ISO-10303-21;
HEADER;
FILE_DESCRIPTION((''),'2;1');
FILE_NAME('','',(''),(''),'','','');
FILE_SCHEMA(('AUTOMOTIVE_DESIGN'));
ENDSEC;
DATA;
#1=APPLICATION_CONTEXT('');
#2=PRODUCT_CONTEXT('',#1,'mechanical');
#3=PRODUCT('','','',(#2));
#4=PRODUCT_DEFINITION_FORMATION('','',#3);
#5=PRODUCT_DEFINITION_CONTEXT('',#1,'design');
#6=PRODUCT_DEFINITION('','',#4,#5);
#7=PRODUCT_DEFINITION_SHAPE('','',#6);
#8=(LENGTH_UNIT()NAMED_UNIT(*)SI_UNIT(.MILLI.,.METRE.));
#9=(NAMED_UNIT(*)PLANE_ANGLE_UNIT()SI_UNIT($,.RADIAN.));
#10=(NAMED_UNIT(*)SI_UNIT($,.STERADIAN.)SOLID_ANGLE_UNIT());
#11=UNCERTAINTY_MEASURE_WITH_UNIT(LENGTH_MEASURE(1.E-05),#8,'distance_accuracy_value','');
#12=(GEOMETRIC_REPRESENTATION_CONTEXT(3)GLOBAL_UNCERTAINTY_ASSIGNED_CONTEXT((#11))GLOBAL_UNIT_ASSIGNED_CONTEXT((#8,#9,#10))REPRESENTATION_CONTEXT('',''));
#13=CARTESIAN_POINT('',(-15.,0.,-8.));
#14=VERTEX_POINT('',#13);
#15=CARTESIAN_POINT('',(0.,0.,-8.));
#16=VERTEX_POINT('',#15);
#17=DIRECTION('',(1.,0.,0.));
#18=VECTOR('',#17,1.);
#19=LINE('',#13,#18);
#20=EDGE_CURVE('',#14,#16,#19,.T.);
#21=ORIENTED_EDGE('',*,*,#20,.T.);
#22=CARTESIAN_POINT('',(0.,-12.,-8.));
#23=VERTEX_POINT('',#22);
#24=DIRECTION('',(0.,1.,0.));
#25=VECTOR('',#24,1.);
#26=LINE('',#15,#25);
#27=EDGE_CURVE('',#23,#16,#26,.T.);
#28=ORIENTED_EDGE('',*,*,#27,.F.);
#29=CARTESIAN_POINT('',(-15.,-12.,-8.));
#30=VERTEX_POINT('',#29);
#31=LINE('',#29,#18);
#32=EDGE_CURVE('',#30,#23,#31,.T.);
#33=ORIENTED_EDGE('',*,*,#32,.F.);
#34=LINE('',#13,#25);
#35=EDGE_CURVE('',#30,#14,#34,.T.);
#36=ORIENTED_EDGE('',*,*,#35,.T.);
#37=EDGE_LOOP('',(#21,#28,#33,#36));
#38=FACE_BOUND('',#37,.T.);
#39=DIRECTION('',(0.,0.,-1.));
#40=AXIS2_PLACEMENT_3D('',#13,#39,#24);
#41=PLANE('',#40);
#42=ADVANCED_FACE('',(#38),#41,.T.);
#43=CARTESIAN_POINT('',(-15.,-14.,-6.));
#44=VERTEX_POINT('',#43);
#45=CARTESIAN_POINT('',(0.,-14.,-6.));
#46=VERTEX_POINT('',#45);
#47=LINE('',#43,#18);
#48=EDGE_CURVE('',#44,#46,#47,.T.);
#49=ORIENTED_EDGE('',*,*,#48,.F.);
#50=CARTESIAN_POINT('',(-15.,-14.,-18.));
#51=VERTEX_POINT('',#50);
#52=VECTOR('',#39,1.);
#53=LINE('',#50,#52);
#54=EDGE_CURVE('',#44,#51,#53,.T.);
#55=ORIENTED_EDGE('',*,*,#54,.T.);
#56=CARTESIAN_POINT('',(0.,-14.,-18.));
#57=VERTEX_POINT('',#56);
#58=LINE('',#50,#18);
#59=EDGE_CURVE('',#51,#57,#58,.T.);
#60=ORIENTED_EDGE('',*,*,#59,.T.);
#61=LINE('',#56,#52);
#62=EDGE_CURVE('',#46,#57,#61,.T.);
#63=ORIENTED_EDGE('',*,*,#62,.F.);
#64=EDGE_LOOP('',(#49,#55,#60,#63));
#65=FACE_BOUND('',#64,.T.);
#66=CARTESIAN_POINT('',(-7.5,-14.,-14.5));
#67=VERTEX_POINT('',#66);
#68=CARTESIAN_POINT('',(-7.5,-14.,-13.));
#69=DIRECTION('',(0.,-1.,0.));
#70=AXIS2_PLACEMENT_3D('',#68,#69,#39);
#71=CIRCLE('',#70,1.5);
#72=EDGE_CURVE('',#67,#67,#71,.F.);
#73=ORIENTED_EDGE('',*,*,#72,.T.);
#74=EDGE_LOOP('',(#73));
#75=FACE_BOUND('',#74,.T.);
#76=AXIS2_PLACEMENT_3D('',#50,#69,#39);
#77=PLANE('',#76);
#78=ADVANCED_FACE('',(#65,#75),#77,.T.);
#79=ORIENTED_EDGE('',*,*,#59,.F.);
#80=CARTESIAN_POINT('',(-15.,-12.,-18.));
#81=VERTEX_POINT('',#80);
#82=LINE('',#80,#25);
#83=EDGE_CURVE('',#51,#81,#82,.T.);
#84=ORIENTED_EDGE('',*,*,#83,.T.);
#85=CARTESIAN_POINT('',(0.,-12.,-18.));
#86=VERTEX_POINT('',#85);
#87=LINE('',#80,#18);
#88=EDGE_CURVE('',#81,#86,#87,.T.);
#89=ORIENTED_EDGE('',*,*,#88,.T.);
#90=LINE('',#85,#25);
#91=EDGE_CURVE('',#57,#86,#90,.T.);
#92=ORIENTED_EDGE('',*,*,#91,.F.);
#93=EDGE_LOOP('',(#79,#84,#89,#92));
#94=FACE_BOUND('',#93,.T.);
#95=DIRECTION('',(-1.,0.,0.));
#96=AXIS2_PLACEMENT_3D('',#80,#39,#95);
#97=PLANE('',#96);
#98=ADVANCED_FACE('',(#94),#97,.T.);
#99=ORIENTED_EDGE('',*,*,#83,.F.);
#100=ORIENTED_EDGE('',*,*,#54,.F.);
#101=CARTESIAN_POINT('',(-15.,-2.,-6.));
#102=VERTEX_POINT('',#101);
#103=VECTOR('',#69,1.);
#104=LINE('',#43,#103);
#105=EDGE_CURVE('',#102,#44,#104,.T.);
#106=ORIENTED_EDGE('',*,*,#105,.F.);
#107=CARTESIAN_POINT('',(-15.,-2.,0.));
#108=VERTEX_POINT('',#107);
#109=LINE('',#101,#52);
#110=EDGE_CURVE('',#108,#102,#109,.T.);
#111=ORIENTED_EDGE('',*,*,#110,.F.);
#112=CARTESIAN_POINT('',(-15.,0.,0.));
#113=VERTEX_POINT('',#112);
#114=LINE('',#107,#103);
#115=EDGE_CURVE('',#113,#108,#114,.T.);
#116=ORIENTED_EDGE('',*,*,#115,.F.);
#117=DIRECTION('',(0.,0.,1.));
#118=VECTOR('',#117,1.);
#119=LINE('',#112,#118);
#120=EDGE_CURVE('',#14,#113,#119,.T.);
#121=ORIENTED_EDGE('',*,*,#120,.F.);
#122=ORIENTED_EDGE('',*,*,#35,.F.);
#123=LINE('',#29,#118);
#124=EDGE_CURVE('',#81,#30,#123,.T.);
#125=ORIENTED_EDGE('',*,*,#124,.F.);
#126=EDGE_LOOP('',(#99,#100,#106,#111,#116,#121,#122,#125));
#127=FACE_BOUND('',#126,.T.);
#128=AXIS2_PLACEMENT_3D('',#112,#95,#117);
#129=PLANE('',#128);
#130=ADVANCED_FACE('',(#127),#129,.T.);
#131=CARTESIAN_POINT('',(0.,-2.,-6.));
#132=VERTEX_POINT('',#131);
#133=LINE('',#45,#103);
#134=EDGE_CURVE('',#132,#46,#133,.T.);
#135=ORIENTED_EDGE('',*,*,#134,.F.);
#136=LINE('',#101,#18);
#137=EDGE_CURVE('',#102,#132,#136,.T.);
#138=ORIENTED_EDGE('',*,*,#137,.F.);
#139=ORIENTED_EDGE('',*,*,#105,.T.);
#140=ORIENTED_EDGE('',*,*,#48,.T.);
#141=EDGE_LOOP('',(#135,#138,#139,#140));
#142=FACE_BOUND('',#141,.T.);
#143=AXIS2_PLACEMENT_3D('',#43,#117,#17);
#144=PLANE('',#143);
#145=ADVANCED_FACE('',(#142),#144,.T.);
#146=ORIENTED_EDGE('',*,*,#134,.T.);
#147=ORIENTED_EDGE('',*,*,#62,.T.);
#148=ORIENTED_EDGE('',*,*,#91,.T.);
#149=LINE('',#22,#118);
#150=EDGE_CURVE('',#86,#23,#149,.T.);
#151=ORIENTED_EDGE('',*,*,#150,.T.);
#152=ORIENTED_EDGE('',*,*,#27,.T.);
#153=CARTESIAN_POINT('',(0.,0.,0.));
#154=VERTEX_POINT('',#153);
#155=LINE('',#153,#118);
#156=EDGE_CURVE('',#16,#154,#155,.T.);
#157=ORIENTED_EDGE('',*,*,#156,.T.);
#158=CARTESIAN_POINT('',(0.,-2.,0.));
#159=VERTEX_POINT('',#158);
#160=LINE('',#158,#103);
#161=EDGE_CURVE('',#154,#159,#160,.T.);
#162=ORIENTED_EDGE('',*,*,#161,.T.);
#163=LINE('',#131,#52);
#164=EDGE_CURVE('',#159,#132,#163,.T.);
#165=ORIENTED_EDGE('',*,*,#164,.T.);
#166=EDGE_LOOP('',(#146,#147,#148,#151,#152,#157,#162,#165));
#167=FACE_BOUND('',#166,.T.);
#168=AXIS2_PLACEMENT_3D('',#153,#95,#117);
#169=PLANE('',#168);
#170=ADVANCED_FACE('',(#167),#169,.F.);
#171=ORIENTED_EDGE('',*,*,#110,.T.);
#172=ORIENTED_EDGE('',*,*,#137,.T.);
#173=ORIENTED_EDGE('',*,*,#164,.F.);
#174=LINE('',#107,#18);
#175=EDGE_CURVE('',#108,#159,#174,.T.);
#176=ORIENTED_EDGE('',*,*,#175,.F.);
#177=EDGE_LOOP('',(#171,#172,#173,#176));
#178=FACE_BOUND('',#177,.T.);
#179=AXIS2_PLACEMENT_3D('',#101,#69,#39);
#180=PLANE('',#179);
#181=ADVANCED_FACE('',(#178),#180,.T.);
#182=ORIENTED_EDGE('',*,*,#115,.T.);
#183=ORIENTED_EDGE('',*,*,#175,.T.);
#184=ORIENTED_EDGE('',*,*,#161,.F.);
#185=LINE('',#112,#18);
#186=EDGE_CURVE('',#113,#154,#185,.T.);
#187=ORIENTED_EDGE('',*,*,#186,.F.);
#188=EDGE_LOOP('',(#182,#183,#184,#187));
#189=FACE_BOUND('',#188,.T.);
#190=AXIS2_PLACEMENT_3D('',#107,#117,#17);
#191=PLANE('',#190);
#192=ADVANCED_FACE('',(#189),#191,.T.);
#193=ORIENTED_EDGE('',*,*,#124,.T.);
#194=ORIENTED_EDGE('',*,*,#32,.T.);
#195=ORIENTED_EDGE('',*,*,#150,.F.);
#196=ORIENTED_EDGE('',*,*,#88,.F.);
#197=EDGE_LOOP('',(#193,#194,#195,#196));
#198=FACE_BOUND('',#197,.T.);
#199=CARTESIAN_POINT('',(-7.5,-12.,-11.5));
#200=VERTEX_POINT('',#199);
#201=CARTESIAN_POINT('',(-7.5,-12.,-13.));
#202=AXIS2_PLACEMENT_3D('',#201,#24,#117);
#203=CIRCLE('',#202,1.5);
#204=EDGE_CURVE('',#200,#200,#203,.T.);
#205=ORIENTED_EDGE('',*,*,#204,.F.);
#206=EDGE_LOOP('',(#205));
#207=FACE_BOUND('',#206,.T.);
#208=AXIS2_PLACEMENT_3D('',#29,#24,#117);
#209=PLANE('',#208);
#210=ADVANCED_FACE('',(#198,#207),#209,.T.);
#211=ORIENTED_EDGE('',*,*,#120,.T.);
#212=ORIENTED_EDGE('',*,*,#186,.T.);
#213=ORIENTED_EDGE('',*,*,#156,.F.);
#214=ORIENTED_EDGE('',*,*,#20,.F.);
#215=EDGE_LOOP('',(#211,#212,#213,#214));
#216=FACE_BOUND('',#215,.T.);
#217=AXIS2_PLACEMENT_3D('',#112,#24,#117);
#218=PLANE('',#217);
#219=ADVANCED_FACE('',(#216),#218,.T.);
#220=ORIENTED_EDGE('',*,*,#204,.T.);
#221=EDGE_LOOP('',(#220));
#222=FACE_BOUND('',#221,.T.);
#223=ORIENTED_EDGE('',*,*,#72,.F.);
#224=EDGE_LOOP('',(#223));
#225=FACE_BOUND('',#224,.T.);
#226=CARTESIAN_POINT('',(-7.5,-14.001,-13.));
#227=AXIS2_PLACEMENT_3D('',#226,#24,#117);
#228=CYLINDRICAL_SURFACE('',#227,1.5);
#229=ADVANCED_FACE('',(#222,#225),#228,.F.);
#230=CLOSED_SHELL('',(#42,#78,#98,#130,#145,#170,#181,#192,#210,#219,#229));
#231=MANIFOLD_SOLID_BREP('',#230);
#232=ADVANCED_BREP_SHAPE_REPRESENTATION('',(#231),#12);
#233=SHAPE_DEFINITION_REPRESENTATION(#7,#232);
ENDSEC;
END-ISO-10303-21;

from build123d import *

# Parameters (mm, degrees)
BOSS_EXTRUDE1_DEPTH = 15
CUT_EXTRUDE1_REACH  = 4
SKETCH3_R           = 1.5


with BuildPart() as part:
    # Sketch1 → Boss-Extrude1 (new body)
    with BuildSketch(Plane(origin=(0, 0, 0), x_dir=(0, 0, -1), z_dir=(1, 0, 0))):
        Polygon((0, 0), (8, 0), (8, -12), (18, -12), (18, -14), (6, -14), (6, -2), (0, -2), align=None)
    extrude(amount=-BOSS_EXTRUDE1_DEPTH)

    # Sketch3 → Cut-Extrude1 (cut, up to next)
    with BuildSketch(Plane(origin=(0, -12, 0), x_dir=(1, 0, 0), z_dir=(0, 1, 0)), mode=Mode.PRIVATE) as cut_extrude1_sk1:
        with Locations((-7.5, 13)):
            Circle(SKETCH3_R)
    cut_extrude1_tool1 = extrude(cut_extrude1_sk1.sketch, amount=-CUT_EXTRUDE1_REACH, mode=Mode.PRIVATE) & part.part
    add(cut_extrude1_tool1.solids().sort_by_distance((-7.5, -12, -13))[0], mode=Mode.SUBTRACT)


solid = part.part
